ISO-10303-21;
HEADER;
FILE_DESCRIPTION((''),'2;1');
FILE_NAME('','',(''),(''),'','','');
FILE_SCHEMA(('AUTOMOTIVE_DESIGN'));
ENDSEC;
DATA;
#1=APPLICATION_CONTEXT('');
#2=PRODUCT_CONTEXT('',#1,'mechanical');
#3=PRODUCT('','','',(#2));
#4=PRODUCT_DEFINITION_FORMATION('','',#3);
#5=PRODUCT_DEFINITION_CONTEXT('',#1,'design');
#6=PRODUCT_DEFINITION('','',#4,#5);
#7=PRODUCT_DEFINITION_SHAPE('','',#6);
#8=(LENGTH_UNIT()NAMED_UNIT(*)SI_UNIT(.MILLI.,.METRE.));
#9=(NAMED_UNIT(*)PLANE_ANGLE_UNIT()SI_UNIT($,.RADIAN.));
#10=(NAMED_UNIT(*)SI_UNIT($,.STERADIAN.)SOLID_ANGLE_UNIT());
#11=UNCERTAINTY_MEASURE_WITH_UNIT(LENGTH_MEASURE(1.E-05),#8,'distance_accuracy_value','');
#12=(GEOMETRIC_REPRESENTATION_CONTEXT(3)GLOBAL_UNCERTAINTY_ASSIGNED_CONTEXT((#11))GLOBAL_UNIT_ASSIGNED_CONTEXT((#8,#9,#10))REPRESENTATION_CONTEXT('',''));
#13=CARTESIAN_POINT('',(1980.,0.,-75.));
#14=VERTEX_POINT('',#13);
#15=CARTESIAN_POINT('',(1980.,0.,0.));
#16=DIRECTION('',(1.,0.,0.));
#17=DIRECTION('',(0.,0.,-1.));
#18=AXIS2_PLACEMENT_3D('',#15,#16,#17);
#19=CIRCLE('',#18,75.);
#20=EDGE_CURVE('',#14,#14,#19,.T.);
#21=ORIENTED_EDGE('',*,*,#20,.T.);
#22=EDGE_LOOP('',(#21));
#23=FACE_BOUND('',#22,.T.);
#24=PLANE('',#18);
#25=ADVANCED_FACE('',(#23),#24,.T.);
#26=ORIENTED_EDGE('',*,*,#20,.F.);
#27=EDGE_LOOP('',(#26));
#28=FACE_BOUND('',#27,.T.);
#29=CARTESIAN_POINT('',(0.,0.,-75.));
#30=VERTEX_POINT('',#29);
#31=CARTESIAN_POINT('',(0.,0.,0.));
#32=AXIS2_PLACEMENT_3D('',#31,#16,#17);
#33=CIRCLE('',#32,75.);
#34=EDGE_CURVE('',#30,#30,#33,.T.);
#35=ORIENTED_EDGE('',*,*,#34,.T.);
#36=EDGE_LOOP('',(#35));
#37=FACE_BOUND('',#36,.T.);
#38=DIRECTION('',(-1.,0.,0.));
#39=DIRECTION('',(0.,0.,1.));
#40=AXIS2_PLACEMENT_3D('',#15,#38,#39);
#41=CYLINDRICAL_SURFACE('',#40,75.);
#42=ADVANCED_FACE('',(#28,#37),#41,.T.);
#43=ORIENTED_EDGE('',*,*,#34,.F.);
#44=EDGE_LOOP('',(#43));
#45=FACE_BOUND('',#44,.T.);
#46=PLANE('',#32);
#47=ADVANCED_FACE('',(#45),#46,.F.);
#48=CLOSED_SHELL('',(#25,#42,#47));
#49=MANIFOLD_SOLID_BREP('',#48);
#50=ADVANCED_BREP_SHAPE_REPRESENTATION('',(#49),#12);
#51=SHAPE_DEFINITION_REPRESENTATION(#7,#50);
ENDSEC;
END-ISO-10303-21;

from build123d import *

# Parameters (mm, degrees)
SKETCH_233_R      = 75
EXTRUDE_273_DEPTH = 1980


with BuildPart() as part:
    # Sketch 233 → Extrude 273 (new body)
    with BuildSketch(Plane(origin=(0, 0, 0), x_dir=(0, 0, -1), z_dir=(1, 0, 0))):
        Circle(SKETCH_233_R)
    extrude(amount=EXTRUDE_273_DEPTH)


solid = part.part
